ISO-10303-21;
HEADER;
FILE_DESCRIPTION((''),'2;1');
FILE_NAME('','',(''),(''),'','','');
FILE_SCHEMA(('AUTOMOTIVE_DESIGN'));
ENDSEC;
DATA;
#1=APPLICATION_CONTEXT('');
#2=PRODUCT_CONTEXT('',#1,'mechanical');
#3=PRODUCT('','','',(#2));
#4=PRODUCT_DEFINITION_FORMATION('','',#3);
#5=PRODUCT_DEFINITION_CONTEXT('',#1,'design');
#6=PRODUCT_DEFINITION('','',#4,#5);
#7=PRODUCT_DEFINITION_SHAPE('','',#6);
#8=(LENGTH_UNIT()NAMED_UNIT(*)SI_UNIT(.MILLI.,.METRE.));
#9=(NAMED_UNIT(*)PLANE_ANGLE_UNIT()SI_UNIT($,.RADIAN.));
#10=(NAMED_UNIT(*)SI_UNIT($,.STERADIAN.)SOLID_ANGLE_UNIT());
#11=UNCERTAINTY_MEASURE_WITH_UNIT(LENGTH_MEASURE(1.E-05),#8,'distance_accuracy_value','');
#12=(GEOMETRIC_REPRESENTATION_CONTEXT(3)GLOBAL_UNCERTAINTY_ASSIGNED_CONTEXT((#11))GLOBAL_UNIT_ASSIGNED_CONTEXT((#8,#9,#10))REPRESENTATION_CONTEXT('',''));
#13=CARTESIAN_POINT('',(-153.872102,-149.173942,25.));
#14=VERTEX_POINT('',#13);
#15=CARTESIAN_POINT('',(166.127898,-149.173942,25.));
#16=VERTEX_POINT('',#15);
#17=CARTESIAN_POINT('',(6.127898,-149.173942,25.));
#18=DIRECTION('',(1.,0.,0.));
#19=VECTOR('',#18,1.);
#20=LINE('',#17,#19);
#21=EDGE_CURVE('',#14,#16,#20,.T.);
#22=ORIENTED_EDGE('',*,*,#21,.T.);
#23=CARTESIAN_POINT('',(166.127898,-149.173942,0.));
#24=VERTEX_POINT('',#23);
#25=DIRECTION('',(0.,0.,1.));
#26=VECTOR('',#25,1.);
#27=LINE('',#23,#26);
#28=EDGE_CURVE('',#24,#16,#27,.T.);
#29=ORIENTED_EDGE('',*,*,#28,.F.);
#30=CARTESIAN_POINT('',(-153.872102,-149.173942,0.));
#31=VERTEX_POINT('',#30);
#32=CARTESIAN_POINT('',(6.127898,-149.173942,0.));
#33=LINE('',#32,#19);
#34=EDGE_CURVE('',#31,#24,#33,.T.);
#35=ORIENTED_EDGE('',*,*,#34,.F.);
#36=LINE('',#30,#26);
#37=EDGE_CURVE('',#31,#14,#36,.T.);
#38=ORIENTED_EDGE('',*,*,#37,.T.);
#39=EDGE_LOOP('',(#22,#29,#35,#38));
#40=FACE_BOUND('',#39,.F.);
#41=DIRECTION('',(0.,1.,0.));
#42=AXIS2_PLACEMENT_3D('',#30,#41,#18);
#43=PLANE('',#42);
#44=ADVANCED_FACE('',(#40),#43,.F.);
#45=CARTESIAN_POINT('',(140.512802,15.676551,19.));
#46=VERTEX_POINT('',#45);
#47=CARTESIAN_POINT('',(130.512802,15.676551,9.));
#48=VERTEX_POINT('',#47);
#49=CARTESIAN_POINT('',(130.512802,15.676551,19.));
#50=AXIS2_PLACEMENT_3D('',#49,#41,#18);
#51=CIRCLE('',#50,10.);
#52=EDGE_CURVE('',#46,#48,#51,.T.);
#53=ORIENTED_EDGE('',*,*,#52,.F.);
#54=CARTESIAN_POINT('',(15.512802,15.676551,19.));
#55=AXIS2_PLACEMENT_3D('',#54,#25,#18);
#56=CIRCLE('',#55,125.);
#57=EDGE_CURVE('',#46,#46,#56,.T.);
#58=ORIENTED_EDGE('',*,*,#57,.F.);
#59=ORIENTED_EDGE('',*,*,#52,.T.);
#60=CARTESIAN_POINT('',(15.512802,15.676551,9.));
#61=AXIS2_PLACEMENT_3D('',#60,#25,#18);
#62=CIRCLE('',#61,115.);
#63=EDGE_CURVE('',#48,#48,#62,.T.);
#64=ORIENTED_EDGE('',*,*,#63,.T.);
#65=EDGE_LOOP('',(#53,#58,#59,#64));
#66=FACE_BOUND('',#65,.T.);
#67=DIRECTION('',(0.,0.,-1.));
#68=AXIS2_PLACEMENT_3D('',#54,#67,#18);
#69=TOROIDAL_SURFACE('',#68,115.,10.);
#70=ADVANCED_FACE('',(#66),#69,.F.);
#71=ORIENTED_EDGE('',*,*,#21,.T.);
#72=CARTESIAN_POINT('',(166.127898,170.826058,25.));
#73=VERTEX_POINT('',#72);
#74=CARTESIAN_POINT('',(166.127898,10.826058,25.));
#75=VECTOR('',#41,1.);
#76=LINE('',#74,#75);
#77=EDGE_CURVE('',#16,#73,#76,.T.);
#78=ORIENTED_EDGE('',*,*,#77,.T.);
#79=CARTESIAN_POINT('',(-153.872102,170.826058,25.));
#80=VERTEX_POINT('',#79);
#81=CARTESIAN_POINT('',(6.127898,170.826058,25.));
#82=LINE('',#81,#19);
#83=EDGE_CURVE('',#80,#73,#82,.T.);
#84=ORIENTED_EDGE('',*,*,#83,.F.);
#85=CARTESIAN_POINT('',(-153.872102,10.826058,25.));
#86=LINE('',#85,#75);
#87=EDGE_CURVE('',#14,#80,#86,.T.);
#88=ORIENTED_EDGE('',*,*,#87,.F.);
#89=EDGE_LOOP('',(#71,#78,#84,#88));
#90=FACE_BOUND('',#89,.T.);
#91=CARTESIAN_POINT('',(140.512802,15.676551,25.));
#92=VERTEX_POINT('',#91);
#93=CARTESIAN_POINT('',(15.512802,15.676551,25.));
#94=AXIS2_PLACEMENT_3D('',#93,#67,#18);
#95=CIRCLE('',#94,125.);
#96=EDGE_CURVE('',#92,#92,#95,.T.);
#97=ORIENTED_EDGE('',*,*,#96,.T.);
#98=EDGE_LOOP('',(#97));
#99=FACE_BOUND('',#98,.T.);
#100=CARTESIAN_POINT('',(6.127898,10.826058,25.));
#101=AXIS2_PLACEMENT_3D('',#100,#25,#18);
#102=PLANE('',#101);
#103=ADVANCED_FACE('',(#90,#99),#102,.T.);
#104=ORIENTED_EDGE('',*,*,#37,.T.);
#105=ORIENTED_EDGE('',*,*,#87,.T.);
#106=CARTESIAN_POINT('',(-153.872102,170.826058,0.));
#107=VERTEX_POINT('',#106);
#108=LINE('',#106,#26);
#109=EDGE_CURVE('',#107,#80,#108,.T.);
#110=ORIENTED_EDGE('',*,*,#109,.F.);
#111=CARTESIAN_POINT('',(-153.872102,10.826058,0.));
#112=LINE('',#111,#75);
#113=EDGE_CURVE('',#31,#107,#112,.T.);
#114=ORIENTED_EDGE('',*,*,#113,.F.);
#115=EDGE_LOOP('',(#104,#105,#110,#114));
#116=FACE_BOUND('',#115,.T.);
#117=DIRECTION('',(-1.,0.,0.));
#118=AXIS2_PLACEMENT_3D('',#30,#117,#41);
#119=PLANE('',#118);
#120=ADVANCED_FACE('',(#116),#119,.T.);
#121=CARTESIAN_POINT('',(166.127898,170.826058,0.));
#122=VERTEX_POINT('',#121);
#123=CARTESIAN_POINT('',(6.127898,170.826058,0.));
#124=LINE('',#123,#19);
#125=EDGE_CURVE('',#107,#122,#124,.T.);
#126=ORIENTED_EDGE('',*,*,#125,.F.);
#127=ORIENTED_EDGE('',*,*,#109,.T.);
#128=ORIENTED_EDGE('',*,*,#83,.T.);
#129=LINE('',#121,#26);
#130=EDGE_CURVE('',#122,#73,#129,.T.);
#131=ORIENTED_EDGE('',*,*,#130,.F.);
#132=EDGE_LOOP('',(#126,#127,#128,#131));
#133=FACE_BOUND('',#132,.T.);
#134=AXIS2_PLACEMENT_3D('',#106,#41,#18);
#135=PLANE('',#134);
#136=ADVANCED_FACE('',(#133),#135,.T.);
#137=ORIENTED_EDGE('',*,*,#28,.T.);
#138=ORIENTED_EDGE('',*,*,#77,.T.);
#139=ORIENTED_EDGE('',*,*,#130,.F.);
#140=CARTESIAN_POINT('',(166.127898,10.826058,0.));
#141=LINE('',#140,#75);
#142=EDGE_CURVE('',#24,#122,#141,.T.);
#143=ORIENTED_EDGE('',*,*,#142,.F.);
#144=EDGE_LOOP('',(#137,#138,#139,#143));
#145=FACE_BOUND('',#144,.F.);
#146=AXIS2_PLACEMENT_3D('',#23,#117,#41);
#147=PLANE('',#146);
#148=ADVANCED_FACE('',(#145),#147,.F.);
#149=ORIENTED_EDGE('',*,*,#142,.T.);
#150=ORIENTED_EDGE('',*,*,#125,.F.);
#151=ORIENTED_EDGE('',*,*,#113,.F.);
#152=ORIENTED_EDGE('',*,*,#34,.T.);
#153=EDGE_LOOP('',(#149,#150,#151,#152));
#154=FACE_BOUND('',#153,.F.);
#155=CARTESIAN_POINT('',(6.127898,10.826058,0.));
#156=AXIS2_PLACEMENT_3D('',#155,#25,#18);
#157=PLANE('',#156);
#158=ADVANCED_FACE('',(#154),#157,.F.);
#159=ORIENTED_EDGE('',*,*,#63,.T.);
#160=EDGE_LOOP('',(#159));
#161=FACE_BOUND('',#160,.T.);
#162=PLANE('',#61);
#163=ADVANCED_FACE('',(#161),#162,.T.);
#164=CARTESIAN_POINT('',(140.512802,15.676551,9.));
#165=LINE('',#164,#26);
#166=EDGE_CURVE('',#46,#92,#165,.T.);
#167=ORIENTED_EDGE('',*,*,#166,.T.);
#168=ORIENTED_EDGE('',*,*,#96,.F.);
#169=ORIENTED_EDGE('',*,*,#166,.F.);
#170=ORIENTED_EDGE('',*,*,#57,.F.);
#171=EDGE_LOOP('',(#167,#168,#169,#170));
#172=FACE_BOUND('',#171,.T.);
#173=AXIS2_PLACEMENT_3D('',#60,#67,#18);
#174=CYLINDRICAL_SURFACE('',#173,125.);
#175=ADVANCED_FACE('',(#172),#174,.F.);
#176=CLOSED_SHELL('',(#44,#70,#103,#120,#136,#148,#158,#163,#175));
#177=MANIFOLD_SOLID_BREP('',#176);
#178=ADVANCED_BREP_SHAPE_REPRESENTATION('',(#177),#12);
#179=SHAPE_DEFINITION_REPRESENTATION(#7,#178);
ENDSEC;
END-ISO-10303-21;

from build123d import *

# Parameters (mm, degrees)
F0_W     = 320
F0_H     = 320
F1_DEPTH = 25
F2_R     = 125
F3_DEPTH = 20
F4_R     = 10


with BuildPart() as f1:
    # F0 (on Top) → F1 (new body)
    with BuildSketch(Plane.XY):
        with Locations((6.127898, 10.826058)):
            Rectangle(F0_W, F0_H)
    extrude(amount=F1_DEPTH)


with BuildPart() as f3:
    # F2 (on face) → F3 (new body)
    with BuildSketch(Plane.XY.offset(25)):
        with Locations((357.512802, 15.676551)):
            Circle(F2_R)
    extrude(amount=F3_DEPTH)

    # F4
    f4_edges = [f3.edges().sort_by_distance(p)[0] for p in [
        (232.512802, 15.676551, 25),
    ]]
    fillet(f4_edges, radius=F4_R)


with BuildPart() as f3_1:
    # F5: moved
    add(f3.part.moved(Location((-342, 0, -16))))


with BuildPart() as f1_1:
    add(f1.part)

    # F6: cut F3
    add(f3_1.part, mode=Mode.SUBTRACT)


solid = f1_1.part
